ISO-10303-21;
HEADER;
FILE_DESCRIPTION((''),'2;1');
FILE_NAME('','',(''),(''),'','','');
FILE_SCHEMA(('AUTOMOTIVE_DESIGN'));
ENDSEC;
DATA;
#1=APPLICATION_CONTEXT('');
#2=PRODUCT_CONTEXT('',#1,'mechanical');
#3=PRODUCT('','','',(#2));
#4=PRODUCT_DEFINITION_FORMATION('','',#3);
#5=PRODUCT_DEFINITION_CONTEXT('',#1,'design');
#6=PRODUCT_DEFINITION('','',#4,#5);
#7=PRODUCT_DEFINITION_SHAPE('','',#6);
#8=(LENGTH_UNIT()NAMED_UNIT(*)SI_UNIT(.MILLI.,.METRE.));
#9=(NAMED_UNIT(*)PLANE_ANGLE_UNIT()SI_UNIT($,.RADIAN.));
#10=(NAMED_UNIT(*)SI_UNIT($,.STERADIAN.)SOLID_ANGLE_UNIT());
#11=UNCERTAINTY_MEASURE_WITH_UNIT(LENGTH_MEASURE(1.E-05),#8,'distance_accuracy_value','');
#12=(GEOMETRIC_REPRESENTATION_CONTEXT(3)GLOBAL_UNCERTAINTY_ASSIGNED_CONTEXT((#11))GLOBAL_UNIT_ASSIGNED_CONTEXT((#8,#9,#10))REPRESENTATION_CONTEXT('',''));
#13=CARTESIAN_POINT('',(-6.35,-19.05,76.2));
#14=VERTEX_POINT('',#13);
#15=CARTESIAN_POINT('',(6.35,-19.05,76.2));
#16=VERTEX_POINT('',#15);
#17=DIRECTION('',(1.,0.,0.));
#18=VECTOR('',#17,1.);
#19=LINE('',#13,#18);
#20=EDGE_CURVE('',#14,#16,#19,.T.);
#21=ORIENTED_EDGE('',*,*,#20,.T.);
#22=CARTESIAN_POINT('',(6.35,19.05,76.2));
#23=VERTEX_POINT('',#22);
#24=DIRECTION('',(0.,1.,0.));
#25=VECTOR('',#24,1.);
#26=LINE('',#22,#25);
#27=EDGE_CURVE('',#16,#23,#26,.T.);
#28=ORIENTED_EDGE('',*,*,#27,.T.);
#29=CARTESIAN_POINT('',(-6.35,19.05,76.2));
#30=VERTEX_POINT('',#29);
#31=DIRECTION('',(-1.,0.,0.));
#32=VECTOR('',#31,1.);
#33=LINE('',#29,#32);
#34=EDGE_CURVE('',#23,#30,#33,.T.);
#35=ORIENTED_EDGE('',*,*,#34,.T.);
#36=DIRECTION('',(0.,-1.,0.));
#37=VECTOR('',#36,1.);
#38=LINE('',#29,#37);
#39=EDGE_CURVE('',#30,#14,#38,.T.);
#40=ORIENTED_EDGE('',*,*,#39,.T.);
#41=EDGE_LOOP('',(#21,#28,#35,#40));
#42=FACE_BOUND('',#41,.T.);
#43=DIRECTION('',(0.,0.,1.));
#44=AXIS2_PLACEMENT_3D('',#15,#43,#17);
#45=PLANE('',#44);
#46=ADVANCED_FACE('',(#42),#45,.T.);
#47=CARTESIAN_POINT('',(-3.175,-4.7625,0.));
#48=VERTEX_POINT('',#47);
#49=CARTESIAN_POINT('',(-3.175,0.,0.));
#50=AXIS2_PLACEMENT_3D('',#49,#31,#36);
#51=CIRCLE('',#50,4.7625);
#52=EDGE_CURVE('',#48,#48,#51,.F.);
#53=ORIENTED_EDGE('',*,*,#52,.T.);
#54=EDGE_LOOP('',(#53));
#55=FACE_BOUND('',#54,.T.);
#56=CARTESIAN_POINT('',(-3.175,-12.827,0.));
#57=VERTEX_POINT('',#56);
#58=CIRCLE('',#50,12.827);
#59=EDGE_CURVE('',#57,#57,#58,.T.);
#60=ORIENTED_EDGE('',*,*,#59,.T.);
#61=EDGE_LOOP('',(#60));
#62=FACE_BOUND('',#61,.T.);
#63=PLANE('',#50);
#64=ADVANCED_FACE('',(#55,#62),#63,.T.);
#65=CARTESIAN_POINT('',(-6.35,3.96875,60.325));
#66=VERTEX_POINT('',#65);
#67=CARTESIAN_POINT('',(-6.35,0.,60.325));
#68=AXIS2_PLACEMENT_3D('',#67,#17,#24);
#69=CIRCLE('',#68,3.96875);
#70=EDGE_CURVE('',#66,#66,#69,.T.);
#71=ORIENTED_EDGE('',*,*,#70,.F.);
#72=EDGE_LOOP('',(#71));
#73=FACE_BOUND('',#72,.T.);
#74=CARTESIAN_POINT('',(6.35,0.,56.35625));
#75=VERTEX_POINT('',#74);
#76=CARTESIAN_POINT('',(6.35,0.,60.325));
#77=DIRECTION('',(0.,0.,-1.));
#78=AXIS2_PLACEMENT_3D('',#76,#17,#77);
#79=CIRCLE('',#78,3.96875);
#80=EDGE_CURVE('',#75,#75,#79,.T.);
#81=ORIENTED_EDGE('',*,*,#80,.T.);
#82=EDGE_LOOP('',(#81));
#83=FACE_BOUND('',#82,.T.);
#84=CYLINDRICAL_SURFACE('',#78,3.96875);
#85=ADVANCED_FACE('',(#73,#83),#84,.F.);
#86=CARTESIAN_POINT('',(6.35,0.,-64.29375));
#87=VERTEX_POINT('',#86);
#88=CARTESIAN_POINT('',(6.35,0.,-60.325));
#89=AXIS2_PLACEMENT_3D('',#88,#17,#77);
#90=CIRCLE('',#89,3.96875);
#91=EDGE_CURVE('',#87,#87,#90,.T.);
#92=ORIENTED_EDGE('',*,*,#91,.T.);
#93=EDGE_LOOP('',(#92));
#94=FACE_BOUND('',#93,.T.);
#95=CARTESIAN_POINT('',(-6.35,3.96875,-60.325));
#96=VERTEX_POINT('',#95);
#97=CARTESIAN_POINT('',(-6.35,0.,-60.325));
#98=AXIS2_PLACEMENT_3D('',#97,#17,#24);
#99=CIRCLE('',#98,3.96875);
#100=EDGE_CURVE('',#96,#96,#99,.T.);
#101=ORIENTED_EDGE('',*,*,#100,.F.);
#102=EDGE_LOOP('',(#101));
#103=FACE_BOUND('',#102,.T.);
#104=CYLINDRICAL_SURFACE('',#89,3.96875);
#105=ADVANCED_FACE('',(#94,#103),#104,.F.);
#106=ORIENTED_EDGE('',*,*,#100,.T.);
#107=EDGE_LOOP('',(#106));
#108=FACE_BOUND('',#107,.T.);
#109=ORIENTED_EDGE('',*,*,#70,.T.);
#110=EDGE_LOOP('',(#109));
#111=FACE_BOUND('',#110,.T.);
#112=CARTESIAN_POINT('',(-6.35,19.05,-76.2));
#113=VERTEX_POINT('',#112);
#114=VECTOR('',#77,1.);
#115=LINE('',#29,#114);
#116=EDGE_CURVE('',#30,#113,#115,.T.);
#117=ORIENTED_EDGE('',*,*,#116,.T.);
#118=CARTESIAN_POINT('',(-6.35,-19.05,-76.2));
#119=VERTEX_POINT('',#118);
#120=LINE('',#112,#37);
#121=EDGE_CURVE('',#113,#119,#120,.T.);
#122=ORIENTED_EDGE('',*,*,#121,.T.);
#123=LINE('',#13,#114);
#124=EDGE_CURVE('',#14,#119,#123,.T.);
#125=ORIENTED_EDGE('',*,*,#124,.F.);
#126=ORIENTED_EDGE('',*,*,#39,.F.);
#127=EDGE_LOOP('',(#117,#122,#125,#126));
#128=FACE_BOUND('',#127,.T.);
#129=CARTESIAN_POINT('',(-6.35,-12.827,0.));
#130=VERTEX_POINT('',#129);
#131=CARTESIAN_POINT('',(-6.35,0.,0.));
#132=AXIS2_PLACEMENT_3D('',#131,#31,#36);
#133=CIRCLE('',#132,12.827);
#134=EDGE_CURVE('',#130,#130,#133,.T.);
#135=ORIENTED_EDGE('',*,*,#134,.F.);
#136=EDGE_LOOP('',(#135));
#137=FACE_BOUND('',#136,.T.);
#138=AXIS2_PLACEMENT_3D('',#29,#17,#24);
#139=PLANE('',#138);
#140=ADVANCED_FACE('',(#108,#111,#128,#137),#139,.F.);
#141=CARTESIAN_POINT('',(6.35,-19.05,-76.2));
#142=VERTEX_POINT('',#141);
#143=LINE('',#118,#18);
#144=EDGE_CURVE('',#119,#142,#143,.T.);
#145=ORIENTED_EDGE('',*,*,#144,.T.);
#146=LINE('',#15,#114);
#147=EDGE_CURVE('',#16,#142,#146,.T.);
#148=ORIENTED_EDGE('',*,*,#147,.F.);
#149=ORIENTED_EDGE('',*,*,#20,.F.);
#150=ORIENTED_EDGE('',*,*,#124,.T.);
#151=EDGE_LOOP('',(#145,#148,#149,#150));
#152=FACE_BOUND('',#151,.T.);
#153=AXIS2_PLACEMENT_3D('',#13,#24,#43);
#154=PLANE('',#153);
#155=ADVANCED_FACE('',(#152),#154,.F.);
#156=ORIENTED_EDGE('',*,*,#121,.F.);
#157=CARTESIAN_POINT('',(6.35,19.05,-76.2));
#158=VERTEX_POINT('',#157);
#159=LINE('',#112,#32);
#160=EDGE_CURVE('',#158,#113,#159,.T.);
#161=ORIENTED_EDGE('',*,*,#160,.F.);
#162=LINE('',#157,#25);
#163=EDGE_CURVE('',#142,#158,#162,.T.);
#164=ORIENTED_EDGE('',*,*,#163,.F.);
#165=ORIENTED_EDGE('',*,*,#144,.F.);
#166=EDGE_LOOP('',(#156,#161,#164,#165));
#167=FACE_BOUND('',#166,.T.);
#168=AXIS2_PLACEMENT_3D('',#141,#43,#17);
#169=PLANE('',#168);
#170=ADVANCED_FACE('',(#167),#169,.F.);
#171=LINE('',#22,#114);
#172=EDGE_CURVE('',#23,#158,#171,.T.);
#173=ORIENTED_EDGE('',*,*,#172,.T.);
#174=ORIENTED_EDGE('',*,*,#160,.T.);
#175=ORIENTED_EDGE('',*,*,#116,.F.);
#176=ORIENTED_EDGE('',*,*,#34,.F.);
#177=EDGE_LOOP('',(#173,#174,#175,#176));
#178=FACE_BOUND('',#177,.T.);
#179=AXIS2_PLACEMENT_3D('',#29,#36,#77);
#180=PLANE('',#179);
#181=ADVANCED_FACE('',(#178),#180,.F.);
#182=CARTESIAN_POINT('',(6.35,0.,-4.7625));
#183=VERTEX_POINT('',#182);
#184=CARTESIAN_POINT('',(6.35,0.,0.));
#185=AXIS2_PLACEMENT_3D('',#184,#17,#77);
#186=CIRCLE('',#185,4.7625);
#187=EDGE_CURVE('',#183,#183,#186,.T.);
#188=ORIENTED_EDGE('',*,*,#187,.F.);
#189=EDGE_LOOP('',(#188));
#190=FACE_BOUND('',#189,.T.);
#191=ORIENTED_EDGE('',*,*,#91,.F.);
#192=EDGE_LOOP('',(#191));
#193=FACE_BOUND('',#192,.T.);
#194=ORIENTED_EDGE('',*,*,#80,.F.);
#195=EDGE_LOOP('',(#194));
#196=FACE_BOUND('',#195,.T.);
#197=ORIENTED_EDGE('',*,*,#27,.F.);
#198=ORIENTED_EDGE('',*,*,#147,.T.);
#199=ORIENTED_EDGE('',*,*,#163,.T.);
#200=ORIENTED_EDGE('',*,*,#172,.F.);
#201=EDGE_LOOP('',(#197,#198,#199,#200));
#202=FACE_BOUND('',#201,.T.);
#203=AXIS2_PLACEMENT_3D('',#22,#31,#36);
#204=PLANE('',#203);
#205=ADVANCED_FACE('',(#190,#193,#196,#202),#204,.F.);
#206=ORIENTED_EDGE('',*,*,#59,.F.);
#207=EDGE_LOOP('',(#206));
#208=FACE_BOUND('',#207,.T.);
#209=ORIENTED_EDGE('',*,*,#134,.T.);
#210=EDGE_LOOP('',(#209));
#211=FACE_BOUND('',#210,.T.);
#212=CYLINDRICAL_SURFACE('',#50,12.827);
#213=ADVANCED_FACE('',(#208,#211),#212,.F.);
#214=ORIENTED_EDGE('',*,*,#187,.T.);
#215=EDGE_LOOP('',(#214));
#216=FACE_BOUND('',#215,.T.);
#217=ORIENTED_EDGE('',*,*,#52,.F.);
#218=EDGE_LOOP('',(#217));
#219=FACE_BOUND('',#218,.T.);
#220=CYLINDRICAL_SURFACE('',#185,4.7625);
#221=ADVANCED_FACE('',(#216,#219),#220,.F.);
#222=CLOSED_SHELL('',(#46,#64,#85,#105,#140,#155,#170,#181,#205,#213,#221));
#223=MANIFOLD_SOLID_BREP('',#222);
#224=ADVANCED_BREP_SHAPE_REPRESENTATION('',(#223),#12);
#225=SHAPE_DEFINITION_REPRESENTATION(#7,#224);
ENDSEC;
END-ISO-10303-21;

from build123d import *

# Parameters (mm, degrees)
SKETCH1_W                        = 12.7
SKETCH1_H                        = 38.1
EXTRUDE1_DEPTH                   = 76.2
F_3_8_16_TAPPED_HOLE1_D          = 7.9375
F_3_8_16_TAPPED_HOLE1_DEPTH      = 12.7
F_3_8_0_375_DIAMETER_HOLE1_D     = 9.525
F_3_8_0_375_DIAMETER_HOLE1_DEPTH = 12.7
SKETCH6_R                        = 12.827
EXTRUDE2_DEPTH                   = 3.175


with BuildPart() as part:
    # Sketch1 → Extrude1 (new body, symmetric)
    with BuildSketch(Plane.XY):
        Rectangle(SKETCH1_W, SKETCH1_H)
    extrude(amount=EXTRUDE1_DEPTH, both=True)

    # 3/8-16 Tapped Hole1
    with Locations(Plane(origin=(6.35, 0, 0), x_dir=(0, 0, -1), z_dir=(1, 0, 0))):
        with Locations((-60.325, 0), (60.325, 0)):
            Hole(F_3_8_16_TAPPED_HOLE1_D / 2, depth=F_3_8_16_TAPPED_HOLE1_DEPTH)

    # 3/8 (0.375) Diameter Hole1
    with Locations(Plane(origin=(6.35, 0, 0), x_dir=(0, 0, -1), z_dir=(1, 0, 0))):
        with Locations((0, 0)):
            Hole(F_3_8_0_375_DIAMETER_HOLE1_D / 2, depth=F_3_8_0_375_DIAMETER_HOLE1_DEPTH)

    # Sketch6 → Extrude2 (cut)
    with BuildSketch(Plane.ZY.offset(6.35)):
        Circle(SKETCH6_R)
    extrude(amount=-EXTRUDE2_DEPTH, mode=Mode.SUBTRACT)


solid = part.part
